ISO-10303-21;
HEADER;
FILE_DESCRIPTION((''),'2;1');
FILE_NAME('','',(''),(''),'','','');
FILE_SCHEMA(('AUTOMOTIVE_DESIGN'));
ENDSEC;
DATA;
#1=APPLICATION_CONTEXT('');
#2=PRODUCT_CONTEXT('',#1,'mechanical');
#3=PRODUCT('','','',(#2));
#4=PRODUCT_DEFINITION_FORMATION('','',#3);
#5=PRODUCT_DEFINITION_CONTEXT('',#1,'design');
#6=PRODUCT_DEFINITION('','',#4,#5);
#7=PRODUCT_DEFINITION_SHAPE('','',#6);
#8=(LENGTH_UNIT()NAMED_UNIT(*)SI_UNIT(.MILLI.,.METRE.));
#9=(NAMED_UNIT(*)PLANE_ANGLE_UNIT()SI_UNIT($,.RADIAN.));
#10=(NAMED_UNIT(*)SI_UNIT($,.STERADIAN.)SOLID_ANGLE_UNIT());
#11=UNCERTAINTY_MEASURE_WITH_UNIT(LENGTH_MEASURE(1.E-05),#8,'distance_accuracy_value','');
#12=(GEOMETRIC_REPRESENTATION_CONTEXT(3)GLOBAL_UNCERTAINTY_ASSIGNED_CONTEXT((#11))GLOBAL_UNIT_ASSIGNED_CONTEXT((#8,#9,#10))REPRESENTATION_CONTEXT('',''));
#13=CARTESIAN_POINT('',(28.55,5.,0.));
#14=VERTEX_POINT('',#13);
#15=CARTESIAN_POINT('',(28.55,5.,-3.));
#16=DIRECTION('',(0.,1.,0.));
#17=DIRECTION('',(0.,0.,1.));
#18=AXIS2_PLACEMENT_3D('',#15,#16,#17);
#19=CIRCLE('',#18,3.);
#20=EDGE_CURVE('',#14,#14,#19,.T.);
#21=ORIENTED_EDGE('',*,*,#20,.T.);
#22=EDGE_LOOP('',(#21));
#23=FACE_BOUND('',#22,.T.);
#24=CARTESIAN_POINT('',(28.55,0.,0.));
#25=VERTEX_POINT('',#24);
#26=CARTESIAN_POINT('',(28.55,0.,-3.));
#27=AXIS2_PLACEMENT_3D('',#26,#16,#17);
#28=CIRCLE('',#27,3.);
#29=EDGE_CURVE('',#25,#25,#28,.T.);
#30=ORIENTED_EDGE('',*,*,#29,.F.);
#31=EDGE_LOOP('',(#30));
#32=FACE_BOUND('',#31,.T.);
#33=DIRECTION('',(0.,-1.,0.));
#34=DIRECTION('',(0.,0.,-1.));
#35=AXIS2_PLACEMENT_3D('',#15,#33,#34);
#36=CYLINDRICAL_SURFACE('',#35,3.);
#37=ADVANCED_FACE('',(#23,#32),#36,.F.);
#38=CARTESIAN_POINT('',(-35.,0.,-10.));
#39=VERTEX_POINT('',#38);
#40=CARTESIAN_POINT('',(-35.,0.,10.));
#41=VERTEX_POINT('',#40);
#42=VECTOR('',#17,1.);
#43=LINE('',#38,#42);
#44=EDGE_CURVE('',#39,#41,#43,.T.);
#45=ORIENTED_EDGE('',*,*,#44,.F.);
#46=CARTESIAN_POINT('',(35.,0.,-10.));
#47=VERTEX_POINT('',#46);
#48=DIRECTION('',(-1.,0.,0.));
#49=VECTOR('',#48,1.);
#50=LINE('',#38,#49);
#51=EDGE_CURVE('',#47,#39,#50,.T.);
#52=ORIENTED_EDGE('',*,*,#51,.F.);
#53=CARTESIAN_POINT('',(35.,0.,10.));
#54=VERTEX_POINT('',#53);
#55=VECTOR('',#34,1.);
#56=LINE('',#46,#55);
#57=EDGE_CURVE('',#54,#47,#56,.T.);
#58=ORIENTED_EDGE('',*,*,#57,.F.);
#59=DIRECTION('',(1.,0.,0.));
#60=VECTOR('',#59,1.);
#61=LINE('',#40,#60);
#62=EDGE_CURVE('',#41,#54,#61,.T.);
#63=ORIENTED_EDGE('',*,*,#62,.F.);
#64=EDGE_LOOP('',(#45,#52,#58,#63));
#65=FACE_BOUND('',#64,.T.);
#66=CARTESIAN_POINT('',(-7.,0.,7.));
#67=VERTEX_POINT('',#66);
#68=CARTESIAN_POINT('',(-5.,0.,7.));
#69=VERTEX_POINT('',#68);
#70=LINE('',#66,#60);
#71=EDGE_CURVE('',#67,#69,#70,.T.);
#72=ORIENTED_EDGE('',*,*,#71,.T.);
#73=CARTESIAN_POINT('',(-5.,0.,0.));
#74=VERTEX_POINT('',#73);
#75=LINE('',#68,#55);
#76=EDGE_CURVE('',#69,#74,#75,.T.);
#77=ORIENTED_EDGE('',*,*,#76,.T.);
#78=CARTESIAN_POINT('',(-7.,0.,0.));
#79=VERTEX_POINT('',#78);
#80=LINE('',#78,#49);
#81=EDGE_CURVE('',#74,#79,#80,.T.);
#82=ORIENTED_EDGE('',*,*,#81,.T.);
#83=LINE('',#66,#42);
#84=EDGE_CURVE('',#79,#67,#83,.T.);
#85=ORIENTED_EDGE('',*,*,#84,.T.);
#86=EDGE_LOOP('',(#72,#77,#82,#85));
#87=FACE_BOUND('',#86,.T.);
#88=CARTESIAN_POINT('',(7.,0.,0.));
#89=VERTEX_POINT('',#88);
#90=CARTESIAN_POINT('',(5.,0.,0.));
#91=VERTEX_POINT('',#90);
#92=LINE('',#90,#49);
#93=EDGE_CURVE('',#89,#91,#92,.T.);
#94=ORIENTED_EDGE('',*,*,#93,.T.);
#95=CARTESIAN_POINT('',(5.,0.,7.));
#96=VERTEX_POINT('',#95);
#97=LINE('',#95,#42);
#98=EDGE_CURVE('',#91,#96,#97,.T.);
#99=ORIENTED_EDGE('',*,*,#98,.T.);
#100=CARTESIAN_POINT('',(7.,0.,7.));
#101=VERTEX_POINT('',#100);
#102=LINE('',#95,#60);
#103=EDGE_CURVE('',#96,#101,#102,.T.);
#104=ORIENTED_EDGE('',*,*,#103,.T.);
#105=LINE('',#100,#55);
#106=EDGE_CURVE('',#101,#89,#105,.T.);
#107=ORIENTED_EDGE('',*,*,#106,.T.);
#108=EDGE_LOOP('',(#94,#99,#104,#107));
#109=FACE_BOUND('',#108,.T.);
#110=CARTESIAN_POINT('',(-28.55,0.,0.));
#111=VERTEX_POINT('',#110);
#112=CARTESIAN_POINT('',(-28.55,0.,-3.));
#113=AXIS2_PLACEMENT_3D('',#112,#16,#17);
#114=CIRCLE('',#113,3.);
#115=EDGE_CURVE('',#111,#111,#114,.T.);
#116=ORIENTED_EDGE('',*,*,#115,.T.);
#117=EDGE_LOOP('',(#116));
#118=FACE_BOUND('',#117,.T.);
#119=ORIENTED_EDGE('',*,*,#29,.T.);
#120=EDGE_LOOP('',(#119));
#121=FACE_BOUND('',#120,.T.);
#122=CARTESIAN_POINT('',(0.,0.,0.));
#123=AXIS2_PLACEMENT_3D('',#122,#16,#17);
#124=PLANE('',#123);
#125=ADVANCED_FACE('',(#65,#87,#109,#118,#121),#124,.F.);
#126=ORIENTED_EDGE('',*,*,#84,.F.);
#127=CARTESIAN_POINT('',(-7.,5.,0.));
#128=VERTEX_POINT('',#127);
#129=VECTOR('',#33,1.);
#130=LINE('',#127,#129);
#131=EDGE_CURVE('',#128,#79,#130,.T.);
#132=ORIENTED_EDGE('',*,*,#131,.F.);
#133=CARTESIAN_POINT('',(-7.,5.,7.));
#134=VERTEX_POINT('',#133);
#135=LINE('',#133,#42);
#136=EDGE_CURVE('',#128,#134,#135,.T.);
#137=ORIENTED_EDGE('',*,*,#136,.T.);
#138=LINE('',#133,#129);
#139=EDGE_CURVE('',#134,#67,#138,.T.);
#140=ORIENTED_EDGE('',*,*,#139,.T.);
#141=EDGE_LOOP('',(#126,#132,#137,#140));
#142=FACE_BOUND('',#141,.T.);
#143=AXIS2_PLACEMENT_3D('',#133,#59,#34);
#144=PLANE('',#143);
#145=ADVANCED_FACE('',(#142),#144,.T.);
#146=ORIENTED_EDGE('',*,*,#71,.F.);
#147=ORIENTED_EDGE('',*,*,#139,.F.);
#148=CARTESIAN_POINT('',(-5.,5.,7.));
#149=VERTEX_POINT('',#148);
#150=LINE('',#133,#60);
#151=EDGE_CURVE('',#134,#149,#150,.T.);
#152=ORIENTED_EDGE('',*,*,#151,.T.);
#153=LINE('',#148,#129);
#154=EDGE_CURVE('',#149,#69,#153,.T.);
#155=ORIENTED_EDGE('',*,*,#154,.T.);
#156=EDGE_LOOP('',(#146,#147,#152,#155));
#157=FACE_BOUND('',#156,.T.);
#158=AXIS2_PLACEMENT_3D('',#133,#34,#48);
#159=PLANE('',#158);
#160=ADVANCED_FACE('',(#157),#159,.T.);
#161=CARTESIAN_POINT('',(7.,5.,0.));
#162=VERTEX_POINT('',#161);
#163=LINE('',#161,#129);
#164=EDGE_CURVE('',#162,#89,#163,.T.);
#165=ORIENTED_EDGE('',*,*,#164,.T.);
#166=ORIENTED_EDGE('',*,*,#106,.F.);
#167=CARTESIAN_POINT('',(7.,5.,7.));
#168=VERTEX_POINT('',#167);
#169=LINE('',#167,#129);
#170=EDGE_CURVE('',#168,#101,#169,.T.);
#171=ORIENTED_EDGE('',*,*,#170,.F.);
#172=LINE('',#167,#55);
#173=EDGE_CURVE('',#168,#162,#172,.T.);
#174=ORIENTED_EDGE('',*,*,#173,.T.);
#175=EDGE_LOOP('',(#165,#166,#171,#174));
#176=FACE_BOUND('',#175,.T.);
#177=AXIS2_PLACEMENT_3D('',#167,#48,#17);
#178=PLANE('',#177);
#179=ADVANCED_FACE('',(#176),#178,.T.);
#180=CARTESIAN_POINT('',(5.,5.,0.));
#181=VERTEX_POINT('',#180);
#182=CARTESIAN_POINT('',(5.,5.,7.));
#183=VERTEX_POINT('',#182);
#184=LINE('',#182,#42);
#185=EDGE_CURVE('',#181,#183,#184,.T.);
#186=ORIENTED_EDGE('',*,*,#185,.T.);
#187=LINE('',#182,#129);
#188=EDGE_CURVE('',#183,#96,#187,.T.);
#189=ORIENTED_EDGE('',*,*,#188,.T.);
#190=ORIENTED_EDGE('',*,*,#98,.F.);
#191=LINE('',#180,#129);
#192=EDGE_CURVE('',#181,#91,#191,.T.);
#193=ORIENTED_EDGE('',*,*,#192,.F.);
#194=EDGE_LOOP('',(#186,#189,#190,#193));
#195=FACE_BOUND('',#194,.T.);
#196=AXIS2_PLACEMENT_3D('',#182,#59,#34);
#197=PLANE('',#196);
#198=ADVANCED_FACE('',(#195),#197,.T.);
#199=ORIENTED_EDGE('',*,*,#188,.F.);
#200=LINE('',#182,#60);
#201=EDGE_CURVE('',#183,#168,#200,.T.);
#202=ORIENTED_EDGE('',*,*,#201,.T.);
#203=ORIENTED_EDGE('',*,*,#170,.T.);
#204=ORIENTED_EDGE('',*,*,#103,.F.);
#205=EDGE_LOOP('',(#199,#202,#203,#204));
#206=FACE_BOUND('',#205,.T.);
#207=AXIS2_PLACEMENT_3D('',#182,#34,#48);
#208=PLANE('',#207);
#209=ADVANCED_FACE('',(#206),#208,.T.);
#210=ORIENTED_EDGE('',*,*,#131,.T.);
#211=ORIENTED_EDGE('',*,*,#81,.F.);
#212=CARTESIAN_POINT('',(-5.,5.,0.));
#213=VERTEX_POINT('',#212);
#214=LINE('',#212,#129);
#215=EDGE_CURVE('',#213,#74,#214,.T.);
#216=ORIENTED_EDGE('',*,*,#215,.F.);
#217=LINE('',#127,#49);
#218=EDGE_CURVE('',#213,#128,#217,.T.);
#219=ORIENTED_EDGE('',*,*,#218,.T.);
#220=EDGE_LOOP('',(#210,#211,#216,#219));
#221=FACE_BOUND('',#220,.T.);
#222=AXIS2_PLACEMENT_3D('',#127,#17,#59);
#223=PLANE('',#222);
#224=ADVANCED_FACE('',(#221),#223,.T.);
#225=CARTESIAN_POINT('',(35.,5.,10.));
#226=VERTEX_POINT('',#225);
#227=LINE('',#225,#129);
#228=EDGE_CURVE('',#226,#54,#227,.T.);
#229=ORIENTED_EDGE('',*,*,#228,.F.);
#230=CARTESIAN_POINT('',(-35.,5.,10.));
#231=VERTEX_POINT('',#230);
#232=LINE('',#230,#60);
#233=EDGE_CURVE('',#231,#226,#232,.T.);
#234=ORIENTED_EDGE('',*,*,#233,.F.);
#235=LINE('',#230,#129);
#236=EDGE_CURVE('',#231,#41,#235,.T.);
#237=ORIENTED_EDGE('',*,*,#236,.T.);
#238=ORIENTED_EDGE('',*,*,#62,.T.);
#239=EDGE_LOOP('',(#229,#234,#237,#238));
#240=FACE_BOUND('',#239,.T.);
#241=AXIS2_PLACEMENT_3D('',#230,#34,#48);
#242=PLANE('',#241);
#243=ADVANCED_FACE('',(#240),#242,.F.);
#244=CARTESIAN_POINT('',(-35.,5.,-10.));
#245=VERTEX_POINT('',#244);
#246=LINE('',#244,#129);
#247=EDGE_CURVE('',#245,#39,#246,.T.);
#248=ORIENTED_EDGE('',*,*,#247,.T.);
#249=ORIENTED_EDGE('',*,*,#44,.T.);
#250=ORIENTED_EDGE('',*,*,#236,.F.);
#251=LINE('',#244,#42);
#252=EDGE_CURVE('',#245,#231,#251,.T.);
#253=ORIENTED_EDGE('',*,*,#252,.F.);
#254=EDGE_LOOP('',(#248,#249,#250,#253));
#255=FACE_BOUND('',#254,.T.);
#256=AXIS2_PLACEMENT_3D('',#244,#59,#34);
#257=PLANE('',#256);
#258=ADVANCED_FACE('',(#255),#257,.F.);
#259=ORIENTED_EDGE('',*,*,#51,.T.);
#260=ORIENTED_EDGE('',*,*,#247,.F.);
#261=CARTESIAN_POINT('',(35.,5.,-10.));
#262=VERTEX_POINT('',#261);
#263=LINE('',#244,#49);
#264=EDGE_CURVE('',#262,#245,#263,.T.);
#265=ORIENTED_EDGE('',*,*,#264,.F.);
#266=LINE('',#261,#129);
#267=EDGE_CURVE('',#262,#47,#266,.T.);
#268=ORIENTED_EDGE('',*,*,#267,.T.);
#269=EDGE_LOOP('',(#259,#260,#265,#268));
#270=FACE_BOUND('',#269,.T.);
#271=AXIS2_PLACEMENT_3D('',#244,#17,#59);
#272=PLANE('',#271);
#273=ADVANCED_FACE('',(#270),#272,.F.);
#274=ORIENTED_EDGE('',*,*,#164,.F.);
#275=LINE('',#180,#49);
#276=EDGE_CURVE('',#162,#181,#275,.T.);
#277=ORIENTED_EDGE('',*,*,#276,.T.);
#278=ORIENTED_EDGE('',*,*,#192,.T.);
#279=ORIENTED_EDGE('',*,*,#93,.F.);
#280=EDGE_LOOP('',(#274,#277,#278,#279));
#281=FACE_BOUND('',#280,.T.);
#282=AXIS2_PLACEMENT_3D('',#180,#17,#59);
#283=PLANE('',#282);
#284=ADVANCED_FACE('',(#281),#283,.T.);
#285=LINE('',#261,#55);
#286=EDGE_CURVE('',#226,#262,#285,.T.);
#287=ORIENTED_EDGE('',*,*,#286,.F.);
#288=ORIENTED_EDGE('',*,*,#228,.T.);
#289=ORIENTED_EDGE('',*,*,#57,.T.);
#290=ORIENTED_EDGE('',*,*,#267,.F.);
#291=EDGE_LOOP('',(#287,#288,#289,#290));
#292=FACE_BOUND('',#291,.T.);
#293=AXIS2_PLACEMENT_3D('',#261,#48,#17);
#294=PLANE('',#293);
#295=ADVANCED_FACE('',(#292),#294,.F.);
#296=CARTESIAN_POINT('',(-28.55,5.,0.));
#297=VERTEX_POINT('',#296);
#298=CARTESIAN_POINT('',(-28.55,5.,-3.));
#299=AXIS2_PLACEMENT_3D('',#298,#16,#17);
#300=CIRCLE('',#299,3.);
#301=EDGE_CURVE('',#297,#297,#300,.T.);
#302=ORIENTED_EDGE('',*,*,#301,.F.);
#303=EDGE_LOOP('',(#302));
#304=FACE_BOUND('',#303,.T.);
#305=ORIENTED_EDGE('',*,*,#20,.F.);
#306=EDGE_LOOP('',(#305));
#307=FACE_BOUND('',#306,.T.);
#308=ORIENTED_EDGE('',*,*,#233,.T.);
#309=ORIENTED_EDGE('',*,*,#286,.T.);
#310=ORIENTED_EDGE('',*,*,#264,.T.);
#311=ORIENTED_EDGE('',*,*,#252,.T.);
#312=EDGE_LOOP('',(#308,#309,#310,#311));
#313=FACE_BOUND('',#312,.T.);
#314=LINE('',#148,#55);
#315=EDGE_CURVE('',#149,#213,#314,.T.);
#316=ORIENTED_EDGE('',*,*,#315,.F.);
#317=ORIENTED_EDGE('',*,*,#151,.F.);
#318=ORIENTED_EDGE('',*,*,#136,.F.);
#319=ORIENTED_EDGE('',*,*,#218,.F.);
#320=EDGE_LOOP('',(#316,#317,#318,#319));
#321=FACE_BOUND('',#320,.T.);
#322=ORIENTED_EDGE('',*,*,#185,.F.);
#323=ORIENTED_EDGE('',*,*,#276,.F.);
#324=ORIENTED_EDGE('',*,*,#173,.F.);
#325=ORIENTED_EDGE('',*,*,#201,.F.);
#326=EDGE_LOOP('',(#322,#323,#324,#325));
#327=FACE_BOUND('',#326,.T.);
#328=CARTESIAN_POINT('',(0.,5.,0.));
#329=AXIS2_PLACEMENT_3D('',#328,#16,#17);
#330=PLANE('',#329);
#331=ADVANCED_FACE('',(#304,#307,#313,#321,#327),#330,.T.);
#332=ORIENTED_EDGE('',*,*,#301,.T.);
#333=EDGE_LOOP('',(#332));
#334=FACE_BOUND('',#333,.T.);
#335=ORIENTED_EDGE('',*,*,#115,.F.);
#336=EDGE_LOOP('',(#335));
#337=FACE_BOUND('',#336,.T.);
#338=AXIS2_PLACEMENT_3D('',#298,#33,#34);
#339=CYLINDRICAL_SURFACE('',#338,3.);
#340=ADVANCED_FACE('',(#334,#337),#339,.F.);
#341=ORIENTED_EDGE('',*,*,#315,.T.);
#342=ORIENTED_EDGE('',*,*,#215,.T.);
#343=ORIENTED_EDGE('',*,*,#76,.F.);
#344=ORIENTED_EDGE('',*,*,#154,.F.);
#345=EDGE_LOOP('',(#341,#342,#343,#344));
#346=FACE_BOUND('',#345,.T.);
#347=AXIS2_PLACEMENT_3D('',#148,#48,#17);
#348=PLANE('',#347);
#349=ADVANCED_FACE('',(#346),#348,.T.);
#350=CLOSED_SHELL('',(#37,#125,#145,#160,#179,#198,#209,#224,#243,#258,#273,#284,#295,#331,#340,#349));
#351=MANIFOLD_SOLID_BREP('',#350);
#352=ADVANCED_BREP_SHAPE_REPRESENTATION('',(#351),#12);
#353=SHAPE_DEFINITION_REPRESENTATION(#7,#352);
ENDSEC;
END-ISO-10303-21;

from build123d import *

# Parameters (mm, degrees)
SKETCH_1_W      = 70
SKETCH_1_H      = 20
SKETCH_1_R      = 3
SKETCH_1_W_2    = 2
SKETCH_1_H_2    = 7
EXTRUDE_1_DEPTH = 5


with BuildPart() as part:
    # 草图1 → 凸台-拉伸1 (new body)
    with BuildSketch(Plane(origin=(0, 0, 0), x_dir=(1, 0, 0), z_dir=(0, 1, 0))):
        Rectangle(SKETCH_1_W, SKETCH_1_H)
        with Locations(Location((-28.55, 3, 0), (0, 0, 270))):
            Circle(SKETCH_1_R, mode=Mode.SUBTRACT)
        with Locations(Location((28.55, 3, 0), (0, 0, 270))):
            Circle(SKETCH_1_R, mode=Mode.SUBTRACT)
        with Locations((-6, -3.5)):
            Rectangle(SKETCH_1_W_2, SKETCH_1_H_2, mode=Mode.SUBTRACT)
        with Locations((6, -3.5)):
            Rectangle(SKETCH_1_W_2, SKETCH_1_H_2, mode=Mode.SUBTRACT)
    extrude(amount=EXTRUDE_1_DEPTH)


solid = part.part
